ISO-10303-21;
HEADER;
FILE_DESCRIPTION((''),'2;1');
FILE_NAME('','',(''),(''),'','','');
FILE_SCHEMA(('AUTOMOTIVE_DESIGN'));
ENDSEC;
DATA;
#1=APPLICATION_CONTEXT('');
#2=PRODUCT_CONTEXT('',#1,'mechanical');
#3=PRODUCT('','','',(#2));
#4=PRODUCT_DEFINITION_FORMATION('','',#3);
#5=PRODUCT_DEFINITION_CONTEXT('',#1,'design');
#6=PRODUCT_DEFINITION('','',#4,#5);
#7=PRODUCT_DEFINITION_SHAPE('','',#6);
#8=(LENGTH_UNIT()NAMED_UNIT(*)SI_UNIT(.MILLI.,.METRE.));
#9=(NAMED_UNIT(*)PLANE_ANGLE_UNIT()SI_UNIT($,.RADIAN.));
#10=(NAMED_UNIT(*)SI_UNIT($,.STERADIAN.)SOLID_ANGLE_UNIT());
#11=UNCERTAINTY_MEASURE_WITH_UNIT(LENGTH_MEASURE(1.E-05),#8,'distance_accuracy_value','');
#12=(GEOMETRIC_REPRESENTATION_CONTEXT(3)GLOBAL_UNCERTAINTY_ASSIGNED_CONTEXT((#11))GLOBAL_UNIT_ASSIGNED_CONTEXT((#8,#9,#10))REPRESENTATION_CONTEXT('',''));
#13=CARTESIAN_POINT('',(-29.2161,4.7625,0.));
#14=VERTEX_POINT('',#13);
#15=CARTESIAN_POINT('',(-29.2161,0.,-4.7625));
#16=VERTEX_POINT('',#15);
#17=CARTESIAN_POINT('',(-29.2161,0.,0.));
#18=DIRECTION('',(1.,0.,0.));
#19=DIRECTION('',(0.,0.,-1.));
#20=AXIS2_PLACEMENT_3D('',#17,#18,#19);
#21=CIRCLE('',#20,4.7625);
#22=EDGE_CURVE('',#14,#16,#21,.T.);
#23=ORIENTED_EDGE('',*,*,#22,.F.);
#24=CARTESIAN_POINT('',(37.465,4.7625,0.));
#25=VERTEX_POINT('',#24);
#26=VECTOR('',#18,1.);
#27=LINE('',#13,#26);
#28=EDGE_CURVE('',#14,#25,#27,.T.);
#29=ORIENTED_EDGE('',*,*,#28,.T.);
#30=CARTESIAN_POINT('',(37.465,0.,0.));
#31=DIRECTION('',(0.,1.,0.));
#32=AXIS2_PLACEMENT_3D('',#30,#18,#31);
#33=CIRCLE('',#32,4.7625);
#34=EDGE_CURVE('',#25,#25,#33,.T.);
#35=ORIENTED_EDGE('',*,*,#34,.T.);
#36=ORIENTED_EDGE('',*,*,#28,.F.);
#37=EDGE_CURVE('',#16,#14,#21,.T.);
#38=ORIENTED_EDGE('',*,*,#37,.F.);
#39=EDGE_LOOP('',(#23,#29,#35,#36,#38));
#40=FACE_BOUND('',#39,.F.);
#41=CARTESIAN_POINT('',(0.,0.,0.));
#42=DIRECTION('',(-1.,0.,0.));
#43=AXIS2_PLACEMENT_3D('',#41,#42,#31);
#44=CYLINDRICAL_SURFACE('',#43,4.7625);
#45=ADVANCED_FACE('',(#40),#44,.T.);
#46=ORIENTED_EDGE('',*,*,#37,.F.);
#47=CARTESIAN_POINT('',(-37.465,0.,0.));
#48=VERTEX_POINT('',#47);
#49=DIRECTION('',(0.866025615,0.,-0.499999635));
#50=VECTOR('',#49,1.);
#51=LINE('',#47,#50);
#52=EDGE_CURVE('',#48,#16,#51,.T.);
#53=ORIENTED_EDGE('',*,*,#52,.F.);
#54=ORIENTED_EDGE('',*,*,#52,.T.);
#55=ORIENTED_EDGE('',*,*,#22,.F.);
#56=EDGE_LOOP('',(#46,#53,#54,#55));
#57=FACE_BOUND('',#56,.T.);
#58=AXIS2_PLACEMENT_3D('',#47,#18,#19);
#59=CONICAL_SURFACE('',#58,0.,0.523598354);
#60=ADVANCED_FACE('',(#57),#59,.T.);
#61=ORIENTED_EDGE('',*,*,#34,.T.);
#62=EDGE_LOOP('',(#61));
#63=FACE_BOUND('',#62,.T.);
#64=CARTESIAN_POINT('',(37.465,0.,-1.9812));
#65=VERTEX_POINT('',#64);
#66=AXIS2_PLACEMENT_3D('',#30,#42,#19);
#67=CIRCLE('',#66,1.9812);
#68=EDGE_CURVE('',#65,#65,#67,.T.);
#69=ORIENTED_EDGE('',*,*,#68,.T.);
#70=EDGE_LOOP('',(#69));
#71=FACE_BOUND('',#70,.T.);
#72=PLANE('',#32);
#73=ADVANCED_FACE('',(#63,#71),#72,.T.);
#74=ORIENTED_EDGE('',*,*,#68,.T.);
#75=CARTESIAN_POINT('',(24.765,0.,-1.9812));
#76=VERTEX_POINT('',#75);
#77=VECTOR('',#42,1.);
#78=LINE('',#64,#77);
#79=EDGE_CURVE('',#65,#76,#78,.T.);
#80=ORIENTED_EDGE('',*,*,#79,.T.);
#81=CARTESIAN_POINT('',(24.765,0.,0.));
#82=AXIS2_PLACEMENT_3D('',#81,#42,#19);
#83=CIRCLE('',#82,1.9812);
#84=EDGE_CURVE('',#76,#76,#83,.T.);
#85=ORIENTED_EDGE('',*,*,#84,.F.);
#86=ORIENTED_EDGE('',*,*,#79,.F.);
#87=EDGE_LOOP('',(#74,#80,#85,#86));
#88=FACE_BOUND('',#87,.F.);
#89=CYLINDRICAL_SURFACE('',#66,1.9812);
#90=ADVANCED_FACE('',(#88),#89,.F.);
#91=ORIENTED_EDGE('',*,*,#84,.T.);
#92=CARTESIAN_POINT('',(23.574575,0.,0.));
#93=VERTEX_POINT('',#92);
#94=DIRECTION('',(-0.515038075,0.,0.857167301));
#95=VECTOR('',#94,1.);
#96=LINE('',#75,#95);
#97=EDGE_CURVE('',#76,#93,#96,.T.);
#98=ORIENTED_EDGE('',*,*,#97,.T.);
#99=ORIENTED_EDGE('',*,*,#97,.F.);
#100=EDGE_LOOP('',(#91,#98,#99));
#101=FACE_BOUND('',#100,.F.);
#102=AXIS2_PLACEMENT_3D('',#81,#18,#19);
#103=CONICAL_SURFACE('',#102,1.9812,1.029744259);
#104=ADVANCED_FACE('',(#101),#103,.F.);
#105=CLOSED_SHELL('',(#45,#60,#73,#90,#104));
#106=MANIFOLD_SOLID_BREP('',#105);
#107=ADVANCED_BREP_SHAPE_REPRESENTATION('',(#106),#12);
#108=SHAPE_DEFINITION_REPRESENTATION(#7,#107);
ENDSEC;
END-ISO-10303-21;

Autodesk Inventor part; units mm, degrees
ref_plane "YZ Plane" through (0, 0, 0) normal (1, 0, 0) x (0, 1, 0)
ref_plane "XZ Plane" through (0, 0, 0) normal (0, 1, 0) x (-1, 0, 0)
ref_plane "XY Plane" through (0, 0, 0) normal (0, 0, 1) x (1, 0, 0)
sketch "Sketch1" plane through (0, 0, 0) normal (1, 0, 0) x (0, 1, 0)
  circle A0 centre (0, 0) radius 4.7625
  dimension "d0" = 9.525
extrude "Extrusion1" add sketch "Sketch1" along normal mid plane 74.93
sketch "Sketch2" plane through (0, 0, 0) normal (0, 1, 0) x (-1, 0, 0)
  line L0 (37.465, -4.7625) -> (37.465, 4.7625) projected
  line L1 (37.465, 0) -> (29.2161, -4.7625)
  line L2 (37.465, -4.7625) -> (-37.465, -4.7625) projected
  line L3 (37.465, -4.7625) -> (37.465, 0)
  line L4 (50.2285, 0) -> (-50.2285, 0) projected
  point P0 (0, 0)
  dimension "d3" = 60
  dimension "d5" = 8.2489
revolve "Revolution1" cut sketch "Sketch2" angle 360 about axis through (-10, 0, 0) along (1, 0, 0)
sketch "Sketch3" plane through (37.465, 0, 0) normal (1, 0, 0) x (0, 0, -1)
  point P0 (0, 0)
  point P1 (0, 0)
hole "Hole1" at (37.465, 0, 0) direction (-1, 0, 0) diameter 3.9624 depth 12.7 tip angle 118 thread size "10-32 UNF" class "2B" standard "ANSI Unified Screw Threads"
equation "\"d0\" = diam"
equation "\"d1\" = length"
equation "\"diam\" = 9.525"
equation "\"nosePiece_drivenDimesion\" = 8.255"
equation "\"spacerFromOuterTube\" = 3.175"
equation "\"length\" = 74.93"
properties part number "outerTubeStopPost" material "Steel"
